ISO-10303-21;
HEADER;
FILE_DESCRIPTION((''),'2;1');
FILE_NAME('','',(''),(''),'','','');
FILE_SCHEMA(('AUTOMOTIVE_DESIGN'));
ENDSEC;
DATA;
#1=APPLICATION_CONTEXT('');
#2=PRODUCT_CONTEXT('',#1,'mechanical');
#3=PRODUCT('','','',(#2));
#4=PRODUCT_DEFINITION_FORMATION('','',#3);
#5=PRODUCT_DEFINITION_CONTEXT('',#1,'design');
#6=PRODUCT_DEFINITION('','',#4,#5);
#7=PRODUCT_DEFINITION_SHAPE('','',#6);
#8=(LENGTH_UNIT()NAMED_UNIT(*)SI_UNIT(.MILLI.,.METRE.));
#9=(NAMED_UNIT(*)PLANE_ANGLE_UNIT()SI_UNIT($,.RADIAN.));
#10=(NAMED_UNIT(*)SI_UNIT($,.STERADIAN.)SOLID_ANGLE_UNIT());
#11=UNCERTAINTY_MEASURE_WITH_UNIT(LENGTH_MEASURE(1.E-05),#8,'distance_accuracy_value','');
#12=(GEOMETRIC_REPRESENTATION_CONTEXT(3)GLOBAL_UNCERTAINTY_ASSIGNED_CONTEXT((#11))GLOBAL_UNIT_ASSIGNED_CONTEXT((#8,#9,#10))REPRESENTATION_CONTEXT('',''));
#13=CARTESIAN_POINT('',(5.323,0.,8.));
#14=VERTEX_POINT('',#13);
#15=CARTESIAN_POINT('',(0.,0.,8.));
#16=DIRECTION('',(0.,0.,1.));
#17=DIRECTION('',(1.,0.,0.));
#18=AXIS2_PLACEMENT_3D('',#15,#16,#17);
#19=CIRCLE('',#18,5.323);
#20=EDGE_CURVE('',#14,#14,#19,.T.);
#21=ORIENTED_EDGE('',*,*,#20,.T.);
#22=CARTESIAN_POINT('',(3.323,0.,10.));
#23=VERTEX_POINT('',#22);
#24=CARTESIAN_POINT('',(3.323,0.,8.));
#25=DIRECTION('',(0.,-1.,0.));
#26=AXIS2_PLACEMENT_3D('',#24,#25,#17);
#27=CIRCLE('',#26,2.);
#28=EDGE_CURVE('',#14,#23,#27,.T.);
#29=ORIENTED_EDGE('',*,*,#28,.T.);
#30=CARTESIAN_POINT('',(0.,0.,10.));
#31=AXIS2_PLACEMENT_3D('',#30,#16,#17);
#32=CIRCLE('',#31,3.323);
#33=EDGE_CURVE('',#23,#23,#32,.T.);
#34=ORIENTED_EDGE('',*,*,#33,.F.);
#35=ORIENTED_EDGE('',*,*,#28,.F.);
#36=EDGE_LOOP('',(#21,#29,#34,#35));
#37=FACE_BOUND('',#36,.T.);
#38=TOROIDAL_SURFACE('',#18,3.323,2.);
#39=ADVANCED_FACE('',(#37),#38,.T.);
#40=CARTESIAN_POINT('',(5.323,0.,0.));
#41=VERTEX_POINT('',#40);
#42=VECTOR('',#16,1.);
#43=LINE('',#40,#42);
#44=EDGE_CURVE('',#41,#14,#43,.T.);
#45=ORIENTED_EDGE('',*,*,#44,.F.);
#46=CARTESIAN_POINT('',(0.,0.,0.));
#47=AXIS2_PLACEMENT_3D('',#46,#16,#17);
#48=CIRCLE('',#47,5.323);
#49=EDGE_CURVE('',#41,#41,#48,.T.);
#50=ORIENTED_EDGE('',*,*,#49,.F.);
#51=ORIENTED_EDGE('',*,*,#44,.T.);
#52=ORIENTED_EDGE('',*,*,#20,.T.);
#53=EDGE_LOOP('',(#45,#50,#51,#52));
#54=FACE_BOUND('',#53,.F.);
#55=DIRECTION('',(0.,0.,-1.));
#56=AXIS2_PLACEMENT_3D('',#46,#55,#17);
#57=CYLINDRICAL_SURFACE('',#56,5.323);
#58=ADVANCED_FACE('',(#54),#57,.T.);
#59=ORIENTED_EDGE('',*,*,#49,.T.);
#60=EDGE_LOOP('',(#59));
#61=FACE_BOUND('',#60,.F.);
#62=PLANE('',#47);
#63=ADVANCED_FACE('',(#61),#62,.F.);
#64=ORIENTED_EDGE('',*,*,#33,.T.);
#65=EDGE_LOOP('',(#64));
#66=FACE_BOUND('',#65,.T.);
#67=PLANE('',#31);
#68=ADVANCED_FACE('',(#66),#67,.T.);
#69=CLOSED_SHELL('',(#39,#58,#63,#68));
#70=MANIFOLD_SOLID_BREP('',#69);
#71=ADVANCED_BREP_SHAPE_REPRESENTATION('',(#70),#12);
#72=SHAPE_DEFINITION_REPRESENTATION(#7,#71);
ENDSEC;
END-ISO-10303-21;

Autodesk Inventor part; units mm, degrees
ref_plane "YZ Plane" through (0, 0, 0) normal (1, 0, 0) x (0, 1, 0)
ref_plane "XZ Plane" through (0, 0, 0) normal (0, 1, 0) x (-1, 0, 0)
ref_plane "XY Plane" through (0, 0, 0) normal (0, 0, 1) x (1, 0, 0)
sketch "Sketch1" plane through (0, 0, 0) normal (0, 0, 1) x (1, 0, 0)
  circle A0 centre (0, 0) radius 5.323
extrude "Extrusion1" add sketch "Sketch1" along normal blind 10
fillet "Fillet1" radius 2 1 edges at (-5.323, 0, 10)
properties part number "les"
